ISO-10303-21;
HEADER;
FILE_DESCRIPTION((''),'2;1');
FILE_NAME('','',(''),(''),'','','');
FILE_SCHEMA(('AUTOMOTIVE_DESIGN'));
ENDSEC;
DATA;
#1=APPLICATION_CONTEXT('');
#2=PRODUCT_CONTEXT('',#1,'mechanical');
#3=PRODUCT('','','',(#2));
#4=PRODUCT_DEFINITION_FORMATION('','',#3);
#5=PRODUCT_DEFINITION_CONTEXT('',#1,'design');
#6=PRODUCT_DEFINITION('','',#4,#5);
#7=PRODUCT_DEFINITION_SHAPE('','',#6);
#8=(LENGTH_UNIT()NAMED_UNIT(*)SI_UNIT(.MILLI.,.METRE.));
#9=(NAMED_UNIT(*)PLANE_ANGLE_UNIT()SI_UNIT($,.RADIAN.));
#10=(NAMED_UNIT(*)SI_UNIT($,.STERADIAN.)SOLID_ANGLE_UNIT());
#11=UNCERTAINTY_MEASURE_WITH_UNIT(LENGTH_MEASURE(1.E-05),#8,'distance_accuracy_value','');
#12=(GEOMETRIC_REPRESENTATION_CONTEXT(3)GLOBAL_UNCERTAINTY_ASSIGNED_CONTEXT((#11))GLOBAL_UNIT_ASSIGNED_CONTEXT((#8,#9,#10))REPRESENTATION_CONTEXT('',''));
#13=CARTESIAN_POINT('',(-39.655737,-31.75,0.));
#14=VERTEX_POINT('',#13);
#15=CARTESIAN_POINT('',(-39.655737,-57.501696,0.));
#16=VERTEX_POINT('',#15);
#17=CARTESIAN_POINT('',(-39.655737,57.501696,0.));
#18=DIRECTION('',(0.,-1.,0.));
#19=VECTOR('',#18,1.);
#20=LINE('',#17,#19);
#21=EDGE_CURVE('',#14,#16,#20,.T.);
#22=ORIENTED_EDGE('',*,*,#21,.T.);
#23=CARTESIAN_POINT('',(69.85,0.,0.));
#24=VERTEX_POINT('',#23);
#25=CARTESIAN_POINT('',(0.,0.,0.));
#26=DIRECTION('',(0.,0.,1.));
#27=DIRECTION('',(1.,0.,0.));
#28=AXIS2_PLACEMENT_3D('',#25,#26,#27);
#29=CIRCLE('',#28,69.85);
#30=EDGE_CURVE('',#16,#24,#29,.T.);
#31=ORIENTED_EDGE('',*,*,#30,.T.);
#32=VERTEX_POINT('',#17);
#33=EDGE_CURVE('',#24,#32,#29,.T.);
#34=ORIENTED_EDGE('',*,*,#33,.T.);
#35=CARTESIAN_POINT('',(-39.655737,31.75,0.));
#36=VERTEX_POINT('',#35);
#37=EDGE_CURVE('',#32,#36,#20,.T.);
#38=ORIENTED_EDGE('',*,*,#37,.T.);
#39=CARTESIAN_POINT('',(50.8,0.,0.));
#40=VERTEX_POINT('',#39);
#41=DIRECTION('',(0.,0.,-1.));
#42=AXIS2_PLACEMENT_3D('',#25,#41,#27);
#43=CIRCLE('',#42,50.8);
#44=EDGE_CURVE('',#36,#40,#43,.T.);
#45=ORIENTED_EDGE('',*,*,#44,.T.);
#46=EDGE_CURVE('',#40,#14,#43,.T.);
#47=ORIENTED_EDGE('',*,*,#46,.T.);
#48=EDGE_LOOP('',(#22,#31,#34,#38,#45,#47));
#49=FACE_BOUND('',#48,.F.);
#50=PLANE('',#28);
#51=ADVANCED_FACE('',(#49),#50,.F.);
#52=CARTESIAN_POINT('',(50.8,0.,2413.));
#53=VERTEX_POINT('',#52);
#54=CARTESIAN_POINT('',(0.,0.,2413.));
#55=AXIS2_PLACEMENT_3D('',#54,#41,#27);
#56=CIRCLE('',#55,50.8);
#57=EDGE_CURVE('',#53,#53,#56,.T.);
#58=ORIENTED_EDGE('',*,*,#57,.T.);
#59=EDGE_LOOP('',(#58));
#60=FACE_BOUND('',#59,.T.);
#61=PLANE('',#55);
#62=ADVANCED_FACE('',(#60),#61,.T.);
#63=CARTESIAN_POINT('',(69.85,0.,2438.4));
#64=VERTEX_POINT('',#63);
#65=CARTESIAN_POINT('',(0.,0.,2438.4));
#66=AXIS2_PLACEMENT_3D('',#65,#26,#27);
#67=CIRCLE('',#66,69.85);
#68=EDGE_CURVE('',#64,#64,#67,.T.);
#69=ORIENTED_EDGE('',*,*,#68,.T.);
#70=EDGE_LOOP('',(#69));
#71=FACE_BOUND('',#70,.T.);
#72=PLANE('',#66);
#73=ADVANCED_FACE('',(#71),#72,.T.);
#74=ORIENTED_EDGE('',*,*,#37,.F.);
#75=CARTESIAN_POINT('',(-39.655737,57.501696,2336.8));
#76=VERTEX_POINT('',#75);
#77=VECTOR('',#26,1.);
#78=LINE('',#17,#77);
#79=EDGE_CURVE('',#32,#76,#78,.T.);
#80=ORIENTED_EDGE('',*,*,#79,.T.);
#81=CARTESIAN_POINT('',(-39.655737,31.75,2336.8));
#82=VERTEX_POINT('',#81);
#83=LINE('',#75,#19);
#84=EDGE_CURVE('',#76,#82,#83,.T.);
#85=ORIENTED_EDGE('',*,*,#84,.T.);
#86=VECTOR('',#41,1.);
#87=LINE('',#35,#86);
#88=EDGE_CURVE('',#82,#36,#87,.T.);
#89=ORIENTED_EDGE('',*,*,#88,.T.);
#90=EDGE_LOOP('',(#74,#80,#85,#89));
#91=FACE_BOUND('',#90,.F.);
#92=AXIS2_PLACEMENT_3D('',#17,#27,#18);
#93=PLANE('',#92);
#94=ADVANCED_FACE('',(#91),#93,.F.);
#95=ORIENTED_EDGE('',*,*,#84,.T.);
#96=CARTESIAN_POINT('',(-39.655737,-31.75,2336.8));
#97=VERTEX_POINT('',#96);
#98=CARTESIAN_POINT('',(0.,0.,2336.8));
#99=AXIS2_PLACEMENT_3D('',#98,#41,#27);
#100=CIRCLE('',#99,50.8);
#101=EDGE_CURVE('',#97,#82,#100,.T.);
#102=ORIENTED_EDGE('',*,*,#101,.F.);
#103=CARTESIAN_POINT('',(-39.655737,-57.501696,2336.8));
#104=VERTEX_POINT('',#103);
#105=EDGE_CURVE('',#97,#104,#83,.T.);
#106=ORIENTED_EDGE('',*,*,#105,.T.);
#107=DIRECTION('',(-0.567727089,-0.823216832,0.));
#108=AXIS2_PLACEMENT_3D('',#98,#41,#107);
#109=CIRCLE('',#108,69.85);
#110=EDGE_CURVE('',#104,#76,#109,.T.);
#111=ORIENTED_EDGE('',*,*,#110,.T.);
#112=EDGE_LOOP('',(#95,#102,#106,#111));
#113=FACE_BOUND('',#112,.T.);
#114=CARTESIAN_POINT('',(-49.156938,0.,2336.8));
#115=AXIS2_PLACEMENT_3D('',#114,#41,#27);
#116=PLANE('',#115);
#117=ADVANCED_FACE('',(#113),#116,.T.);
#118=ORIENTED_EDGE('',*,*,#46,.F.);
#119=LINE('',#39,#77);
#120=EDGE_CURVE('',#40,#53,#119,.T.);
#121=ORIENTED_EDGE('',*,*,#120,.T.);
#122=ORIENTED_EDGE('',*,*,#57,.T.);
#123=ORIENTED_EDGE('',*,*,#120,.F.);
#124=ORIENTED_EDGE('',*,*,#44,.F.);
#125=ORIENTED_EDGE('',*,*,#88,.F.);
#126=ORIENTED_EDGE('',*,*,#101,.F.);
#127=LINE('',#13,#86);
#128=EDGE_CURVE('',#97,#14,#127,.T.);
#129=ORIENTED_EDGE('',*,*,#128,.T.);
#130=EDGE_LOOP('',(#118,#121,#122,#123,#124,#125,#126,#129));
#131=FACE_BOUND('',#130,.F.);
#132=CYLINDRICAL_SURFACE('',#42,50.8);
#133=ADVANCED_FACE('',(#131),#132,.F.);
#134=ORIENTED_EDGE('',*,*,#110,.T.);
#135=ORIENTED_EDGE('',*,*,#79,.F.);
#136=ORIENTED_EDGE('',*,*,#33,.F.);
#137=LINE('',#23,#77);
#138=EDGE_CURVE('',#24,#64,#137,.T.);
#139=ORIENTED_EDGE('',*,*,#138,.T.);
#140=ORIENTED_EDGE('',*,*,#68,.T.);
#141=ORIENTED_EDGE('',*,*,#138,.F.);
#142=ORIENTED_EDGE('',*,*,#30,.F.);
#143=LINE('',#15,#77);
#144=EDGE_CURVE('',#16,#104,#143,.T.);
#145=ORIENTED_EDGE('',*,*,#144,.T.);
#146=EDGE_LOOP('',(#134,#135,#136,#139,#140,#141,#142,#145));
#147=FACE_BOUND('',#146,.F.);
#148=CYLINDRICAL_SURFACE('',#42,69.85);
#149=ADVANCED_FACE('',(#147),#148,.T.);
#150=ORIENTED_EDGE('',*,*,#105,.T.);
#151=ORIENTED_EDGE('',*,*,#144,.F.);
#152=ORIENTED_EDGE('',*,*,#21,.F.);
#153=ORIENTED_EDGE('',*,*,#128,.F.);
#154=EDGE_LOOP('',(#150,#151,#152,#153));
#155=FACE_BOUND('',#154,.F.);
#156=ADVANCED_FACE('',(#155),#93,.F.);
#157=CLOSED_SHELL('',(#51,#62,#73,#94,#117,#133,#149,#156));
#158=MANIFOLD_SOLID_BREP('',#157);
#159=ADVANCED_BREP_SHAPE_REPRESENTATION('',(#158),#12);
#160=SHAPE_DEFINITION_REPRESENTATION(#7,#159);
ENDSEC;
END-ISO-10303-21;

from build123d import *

# Parameters (mm, degrees)
F0_R     = 69.85
F1_DEPTH = 2438.4
F2_R     = 50.8
F3_DEPTH = 2413
F5_DEPTH = 2336.8


with BuildPart() as f1:
    # F0 (on Top) → F1 (new body)
    with BuildSketch(Plane.XY):
        Circle(F0_R)
    extrude(amount=F1_DEPTH)

    # F2 (on face) → F3 (cut)
    with BuildSketch(Plane(origin=(0, 0, 0), x_dir=(1, 0, 0), z_dir=(0, 0, -1))):
        Circle(F2_R)
    extrude(amount=-F3_DEPTH, mode=Mode.SUBTRACT)

    # F4 (on face) → F5 (cut)
    with BuildSketch(Plane(origin=(0, 0, 0), x_dir=(1, 0, 0), z_dir=(0, 0, -1))):
        with BuildLine():
            Line((-39.655737, 31.75), (-39.655737, 57.501696))
            ThreePointArc((-39.655737, 57.501696), (-69.85, 0), (-39.655737, -57.501696))
            Line((-39.655737, -57.501696), (-39.655737, -31.75))
            Line((-39.655737, -31.75), (-39.655737, 31.75))
        make_face()
    extrude(amount=-F5_DEPTH, mode=Mode.SUBTRACT)


solid = f1.part
